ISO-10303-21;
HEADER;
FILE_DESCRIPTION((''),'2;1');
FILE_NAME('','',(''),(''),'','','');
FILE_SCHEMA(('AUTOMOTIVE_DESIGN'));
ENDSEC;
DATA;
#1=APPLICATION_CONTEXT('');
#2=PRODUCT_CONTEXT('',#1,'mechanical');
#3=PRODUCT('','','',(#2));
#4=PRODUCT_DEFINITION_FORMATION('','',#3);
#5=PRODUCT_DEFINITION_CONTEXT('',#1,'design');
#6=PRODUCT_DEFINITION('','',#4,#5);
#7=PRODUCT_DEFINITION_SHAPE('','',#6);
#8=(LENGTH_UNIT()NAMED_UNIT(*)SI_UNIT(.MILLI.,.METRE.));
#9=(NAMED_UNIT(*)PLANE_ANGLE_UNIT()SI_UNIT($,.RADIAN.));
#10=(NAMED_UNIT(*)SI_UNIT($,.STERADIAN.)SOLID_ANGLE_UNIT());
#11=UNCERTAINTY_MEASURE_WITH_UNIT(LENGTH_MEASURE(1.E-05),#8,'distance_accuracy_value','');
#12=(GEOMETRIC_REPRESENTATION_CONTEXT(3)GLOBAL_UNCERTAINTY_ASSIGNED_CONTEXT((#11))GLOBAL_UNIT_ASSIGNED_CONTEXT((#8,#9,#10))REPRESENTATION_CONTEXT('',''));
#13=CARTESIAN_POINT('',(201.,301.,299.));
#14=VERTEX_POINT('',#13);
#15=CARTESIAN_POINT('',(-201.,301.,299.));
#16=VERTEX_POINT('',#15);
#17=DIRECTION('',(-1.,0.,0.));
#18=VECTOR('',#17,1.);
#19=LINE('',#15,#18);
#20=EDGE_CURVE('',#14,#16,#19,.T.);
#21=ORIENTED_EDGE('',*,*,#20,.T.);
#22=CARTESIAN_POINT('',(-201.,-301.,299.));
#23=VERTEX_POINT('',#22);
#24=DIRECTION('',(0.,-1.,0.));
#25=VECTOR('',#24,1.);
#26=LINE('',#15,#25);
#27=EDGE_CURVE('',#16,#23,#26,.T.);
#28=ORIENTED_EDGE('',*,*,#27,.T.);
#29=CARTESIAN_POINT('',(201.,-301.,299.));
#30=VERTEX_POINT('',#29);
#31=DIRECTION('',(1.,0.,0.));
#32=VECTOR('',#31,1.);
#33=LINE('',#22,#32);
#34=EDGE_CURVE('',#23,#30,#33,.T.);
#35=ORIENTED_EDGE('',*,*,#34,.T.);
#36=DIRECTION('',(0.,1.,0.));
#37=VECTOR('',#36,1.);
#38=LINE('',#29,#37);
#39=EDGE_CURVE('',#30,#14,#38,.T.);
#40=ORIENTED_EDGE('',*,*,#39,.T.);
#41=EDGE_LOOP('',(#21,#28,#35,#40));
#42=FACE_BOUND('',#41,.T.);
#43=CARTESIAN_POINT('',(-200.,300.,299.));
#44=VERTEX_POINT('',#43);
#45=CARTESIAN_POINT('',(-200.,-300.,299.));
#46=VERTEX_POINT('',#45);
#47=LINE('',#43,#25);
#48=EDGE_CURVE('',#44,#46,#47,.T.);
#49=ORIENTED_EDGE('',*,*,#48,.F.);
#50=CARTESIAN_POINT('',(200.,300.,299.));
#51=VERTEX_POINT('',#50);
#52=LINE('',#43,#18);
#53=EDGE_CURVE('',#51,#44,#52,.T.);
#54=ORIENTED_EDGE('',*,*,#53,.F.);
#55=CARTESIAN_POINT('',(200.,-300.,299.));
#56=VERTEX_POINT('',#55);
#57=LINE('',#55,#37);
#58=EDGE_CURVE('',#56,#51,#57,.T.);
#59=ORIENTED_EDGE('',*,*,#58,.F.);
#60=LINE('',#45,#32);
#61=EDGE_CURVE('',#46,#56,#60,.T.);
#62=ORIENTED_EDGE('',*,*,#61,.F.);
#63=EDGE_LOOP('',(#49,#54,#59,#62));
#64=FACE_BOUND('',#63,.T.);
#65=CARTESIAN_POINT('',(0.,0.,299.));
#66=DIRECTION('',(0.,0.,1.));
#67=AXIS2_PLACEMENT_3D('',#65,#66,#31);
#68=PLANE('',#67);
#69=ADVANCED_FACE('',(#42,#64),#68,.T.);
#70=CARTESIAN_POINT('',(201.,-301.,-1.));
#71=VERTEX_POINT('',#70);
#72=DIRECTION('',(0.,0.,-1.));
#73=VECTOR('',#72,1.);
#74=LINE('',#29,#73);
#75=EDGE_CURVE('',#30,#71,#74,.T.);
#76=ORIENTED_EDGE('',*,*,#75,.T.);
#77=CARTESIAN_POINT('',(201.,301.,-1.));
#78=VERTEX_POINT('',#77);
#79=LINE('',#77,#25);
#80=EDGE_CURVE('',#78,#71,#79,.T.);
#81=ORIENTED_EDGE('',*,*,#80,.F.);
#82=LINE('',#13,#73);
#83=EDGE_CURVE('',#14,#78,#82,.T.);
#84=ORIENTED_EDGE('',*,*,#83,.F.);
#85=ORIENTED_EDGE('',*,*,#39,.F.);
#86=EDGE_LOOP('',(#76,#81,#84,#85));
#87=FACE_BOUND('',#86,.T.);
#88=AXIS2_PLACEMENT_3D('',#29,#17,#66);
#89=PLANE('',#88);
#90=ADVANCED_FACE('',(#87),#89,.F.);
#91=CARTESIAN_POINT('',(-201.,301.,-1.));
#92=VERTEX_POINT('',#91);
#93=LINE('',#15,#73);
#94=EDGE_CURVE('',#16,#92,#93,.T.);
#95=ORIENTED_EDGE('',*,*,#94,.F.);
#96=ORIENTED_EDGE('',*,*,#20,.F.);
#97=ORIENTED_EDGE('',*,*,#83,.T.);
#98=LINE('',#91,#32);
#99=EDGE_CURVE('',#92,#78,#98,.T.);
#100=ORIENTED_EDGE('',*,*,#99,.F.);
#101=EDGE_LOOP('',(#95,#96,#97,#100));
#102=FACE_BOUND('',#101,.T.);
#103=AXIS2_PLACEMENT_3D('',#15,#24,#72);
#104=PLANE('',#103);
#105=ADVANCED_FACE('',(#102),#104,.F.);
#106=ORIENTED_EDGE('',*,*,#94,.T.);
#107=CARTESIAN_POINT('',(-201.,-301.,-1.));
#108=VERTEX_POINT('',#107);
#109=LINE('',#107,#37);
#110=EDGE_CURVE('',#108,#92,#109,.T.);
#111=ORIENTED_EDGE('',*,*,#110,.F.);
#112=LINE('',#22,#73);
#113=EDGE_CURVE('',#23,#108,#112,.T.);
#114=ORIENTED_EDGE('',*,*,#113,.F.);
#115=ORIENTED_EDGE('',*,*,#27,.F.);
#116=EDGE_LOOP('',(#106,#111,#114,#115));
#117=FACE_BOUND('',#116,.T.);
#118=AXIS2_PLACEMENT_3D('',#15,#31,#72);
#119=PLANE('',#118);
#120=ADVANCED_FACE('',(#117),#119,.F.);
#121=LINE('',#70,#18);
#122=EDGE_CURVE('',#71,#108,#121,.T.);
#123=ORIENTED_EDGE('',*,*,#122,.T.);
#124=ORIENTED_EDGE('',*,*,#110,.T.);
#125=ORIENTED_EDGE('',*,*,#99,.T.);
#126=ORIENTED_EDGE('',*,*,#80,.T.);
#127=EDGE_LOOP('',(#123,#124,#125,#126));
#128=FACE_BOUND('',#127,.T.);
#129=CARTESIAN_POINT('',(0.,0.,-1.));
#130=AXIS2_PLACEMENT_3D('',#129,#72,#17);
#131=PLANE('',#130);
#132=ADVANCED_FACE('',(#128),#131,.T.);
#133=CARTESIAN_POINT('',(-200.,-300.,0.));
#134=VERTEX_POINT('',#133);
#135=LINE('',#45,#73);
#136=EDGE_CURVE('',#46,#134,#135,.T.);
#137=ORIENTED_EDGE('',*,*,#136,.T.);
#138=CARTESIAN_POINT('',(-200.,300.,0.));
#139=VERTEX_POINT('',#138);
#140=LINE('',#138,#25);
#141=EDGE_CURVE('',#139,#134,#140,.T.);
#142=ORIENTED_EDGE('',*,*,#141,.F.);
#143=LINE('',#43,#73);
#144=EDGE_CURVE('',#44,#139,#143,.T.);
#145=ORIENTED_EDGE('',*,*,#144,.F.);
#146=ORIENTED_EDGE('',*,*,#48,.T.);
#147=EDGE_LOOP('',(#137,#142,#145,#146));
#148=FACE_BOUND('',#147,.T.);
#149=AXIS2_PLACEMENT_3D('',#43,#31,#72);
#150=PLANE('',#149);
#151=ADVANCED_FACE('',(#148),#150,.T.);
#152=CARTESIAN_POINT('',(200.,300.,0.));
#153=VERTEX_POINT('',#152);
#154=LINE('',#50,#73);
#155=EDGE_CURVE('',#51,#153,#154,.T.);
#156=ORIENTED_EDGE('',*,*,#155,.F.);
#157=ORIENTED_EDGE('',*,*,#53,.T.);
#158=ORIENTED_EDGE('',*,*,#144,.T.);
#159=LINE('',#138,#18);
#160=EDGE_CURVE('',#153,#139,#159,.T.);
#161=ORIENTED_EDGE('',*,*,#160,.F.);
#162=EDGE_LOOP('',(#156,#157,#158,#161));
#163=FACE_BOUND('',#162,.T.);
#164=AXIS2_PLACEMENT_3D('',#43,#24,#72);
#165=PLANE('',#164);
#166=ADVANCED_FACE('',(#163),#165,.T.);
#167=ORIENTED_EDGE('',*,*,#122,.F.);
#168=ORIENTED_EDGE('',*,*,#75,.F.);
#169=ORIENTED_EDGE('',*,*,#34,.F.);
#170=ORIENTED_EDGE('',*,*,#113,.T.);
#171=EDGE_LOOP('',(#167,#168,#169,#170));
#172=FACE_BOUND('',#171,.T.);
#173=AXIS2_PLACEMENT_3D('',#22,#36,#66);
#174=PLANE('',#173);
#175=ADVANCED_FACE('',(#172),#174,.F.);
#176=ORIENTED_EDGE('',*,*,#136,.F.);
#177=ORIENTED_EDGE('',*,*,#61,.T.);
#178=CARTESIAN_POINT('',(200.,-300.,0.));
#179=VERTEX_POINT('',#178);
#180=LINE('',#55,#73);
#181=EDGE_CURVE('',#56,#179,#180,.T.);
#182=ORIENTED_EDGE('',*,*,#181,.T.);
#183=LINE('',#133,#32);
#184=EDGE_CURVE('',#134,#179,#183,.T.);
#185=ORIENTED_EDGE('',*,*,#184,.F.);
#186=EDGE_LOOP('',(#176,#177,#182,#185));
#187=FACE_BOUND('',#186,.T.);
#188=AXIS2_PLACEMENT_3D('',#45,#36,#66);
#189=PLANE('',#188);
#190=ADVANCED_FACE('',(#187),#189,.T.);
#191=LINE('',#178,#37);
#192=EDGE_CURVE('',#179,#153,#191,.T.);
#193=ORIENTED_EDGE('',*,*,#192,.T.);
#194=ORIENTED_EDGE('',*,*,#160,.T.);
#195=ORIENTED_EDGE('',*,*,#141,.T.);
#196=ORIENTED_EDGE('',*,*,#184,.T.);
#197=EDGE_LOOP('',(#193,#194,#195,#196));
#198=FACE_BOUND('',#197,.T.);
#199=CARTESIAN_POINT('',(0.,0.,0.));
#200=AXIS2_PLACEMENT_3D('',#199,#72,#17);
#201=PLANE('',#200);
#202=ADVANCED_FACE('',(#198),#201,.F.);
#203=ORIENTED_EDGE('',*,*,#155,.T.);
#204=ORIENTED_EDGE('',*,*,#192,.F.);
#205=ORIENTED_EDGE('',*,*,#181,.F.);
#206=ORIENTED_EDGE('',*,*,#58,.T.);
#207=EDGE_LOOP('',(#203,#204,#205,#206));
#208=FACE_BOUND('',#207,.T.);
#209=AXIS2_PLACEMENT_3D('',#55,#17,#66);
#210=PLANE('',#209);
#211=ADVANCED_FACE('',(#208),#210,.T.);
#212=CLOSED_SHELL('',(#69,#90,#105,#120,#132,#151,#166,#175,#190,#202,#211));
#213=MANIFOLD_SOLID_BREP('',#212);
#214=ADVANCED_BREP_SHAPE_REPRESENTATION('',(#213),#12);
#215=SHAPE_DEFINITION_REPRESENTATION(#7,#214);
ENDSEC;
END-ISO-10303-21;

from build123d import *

# Parameters (mm, degrees)
SKETCH1_W           = 402
SKETCH1_H           = 602
SKETCH1_W_2         = 400
SKETCH1_H_2         = 600
BOSS_EXTRUDE1_DEPTH = 299
SKETCH2_W           = 402
SKETCH2_H           = 602
BOSS_EXTRUDE2_DEPTH = 1


with BuildPart() as part:
    # Sketch1 → Boss-Extrude1 (new body)
    with BuildSketch(Plane.XY):
        Rectangle(SKETCH1_W, SKETCH1_H)
        Rectangle(SKETCH1_W_2, SKETCH1_H_2, mode=Mode.SUBTRACT)
    extrude(amount=BOSS_EXTRUDE1_DEPTH)

    # Sketch2 → Boss-Extrude2 (add)
    with BuildSketch(Plane(origin=(0, 0, 0), x_dir=(-1, 0, 0), z_dir=(0, 0, -1))):
        Rectangle(SKETCH2_W, SKETCH2_H)
    extrude(amount=BOSS_EXTRUDE2_DEPTH)


solid = part.part
